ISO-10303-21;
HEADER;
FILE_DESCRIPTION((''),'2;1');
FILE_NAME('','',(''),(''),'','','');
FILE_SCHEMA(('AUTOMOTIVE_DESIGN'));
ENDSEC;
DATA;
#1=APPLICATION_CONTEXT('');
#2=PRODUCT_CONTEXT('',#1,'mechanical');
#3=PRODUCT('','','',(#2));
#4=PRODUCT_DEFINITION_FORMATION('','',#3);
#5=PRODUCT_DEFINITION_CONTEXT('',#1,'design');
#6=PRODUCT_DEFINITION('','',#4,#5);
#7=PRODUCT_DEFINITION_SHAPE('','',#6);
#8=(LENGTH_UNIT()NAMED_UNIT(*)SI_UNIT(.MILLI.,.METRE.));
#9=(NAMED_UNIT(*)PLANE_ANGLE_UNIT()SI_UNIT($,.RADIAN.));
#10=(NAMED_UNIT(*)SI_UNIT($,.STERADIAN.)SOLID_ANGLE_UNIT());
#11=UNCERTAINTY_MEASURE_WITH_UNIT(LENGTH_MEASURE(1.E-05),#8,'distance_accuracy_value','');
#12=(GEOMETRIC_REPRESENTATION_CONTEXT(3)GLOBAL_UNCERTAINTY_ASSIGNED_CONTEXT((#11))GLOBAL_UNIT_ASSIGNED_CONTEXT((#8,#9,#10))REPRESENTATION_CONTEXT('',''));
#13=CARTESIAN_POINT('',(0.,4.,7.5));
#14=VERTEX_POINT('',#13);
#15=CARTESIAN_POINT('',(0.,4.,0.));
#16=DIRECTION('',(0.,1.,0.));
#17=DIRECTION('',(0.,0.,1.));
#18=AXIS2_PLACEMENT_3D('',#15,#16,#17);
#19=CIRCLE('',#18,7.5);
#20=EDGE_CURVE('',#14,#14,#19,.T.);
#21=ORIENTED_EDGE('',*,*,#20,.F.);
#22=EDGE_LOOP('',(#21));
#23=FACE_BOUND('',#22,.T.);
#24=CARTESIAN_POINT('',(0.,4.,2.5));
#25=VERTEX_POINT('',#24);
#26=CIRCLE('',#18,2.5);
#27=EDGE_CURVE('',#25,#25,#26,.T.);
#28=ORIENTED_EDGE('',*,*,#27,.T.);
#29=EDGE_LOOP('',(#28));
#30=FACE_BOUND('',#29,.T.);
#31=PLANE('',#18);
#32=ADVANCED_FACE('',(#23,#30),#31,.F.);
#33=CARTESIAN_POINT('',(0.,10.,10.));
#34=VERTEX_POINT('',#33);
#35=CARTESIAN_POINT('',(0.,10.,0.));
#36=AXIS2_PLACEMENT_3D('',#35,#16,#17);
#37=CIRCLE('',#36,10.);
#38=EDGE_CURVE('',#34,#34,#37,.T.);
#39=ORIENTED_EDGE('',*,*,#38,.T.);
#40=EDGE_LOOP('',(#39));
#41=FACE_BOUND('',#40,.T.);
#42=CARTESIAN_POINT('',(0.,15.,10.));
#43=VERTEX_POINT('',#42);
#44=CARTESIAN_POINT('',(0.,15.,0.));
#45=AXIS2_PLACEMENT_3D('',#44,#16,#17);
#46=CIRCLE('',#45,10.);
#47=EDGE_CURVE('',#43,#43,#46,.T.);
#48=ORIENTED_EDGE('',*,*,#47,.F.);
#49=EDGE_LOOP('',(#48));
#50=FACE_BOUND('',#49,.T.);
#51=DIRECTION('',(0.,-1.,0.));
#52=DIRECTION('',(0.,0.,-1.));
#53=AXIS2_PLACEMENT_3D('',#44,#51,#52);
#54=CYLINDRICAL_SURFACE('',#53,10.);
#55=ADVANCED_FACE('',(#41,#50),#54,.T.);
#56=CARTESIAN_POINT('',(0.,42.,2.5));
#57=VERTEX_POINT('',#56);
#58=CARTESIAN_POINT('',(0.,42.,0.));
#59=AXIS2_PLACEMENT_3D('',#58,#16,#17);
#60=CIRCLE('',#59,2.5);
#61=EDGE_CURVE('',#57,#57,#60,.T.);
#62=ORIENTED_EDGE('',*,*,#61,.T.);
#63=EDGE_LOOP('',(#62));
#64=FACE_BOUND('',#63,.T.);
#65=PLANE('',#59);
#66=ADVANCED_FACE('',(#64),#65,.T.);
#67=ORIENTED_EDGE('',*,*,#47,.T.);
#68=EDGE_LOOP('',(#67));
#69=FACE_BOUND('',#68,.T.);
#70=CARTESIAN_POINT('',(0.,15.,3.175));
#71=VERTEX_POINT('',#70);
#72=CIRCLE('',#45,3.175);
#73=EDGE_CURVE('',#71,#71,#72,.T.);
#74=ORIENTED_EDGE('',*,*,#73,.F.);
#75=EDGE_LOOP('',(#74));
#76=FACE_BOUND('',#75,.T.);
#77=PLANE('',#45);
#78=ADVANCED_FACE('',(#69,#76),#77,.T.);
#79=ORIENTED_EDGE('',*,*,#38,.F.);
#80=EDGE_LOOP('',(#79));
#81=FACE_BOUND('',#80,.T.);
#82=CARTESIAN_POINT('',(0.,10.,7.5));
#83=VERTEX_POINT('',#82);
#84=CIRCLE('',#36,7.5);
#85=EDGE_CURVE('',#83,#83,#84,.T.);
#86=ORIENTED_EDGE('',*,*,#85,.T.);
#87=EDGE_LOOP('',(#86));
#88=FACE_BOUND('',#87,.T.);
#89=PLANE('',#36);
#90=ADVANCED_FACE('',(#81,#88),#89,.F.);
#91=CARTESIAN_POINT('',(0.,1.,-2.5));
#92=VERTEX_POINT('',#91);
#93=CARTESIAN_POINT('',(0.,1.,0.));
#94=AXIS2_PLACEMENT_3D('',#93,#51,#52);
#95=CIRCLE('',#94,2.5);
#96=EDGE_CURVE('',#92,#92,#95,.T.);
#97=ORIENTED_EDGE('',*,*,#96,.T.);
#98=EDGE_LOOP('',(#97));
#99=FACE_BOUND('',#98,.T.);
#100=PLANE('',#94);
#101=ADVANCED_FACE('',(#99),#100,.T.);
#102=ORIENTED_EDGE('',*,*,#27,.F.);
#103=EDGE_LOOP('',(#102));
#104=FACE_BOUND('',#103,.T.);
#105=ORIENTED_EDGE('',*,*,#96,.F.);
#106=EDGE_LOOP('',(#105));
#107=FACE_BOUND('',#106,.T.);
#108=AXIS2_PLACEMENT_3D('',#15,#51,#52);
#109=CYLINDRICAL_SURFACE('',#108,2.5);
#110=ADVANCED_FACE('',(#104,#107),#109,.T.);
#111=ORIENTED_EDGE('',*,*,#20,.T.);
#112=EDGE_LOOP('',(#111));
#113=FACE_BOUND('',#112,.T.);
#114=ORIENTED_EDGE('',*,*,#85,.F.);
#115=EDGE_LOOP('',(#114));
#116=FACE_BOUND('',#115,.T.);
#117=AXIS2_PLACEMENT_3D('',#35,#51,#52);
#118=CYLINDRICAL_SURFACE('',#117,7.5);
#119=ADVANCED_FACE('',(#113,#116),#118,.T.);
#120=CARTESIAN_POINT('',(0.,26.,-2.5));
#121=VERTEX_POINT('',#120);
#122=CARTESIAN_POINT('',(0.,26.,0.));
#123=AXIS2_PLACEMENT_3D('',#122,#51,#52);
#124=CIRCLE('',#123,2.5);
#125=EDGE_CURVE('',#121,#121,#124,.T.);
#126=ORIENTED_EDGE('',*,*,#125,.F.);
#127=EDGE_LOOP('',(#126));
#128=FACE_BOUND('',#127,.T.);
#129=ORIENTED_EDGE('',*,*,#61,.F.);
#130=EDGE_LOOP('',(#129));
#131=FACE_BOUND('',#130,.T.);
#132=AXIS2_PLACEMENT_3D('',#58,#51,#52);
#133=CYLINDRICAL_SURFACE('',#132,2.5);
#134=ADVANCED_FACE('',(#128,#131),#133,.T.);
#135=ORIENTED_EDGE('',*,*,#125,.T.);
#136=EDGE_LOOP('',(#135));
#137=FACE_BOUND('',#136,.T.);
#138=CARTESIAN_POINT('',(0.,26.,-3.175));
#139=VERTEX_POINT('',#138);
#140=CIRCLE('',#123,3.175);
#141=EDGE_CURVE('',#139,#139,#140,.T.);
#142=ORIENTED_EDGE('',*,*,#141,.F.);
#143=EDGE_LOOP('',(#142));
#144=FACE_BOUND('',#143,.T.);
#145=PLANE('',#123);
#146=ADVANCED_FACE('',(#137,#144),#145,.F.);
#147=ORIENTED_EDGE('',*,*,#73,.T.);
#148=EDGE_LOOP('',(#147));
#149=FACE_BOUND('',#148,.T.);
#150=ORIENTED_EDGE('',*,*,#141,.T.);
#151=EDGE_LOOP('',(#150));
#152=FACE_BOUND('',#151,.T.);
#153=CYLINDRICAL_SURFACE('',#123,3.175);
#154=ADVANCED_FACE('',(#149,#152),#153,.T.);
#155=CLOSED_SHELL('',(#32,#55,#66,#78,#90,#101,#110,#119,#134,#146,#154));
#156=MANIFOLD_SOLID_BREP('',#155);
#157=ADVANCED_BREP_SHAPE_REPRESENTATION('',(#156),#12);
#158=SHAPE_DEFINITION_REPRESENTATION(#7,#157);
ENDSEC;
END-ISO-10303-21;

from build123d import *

# Parameters (mm, degrees)
SKETCH_1_R               = 2.5
EXTRUDE_1_DEPTH          = 4
SKETCH_3_R               = 7.5
EXTRUDE_3_DEPTH          = 6
SKETCH_4_R               = 10
EXTRUDE_4_DEPTH          = 5
SKETCH_5_R               = 3.175
EXTRUDE_5_DEPTH          = 11
SKETCH_6_R               = 10
EXTRUDE_6_DEPTH          = 5
SKETCH_7_R               = 7.5
EXTRUDE_7_DEPTH          = 7
SKETCH_8_R               = 2.5
EXTRUDE_8_DEPTH          = 4
CUT_EXTRUDE_1_DEPTH      = 45.317039612
CUT_EXTRUDE_1_DEPTH_BACK = 1
SKETCH_10_R              = 2.5
SKETCH_13_R              = 10
SKETCH_13_R_2            = 2.5
CUT_EXTRUDE_3_DEPTH      = 15


with BuildPart() as part:
    # 草图1 → 凸台-拉伸1 (new body)
    with BuildSketch(Plane(origin=(0, 0, 0), x_dir=(1, 0, 0), z_dir=(0, 1, 0))):
        with Locations(Location((0, 0, 0), (0, 0, 270))):
            Circle(SKETCH_1_R)
    extrude(amount=EXTRUDE_1_DEPTH)

    # 草图3 → 凸台-拉伸3 (add)
    with BuildSketch(Plane(origin=(0, 4, 0), x_dir=(1, 0, 0), z_dir=(0, 1, 0))):
        with Locations(Location((0, 0, 0), (0, 0, 270))):
            Circle(SKETCH_3_R)
    extrude(amount=EXTRUDE_3_DEPTH)

    # 草图4 → 凸台-拉伸4 (add)
    with BuildSketch(Plane(origin=(0, 10, 0), x_dir=(1, 0, 0), z_dir=(0, 1, 0))):
        with Locations(Location((0, 0, 0), (0, 0, 270))):
            Circle(SKETCH_4_R)
    extrude(amount=EXTRUDE_4_DEPTH)

    # 草图5 → 凸台-拉伸5 (add)
    with BuildSketch(Plane(origin=(0, 15, 0), x_dir=(1, 0, 0), z_dir=(0, 1, 0))):
        with Locations(Location((0, 0, 0), (0, 0, 270))):
            Circle(SKETCH_5_R)
    extrude(amount=EXTRUDE_5_DEPTH)

    # 草图6 → 凸台-拉伸6 (add)
    with BuildSketch(Plane(origin=(0, 26, 0), x_dir=(1, 0, 0), z_dir=(0, 1, 0))):
        with Locations(Location((0, 0, 0), (0, 0, 270))):
            Circle(SKETCH_6_R)
    extrude(amount=EXTRUDE_6_DEPTH)

    # 草图7 → 凸台-拉伸7 (add)
    with BuildSketch(Plane(origin=(0, 31, 0), x_dir=(1, 0, 0), z_dir=(0, 1, 0))):
        with Locations(Location((0, 0, 0), (0, 0, 270))):
            Circle(SKETCH_7_R)
    extrude(amount=EXTRUDE_7_DEPTH)

    # 草图8 → 凸台-拉伸8 (add)
    with BuildSketch(Plane(origin=(0, 38, 0), x_dir=(1, 0, 0), z_dir=(0, 1, 0))):
        with Locations(Location((0, 0, 0), (0, 0, 270))):
            Circle(SKETCH_8_R)
    extrude(amount=EXTRUDE_8_DEPTH)

    # 草图10 → 切除-拉伸1 (cut, two sides: drawn at the far end of the back side and taken through both)
    with BuildSketch(Plane(origin=(0, 0, 0), x_dir=(-1, 0, 0), z_dir=(0, -1, 0)).offset(-CUT_EXTRUDE_1_DEPTH_BACK)):
        with Locations(Location((0, 0, 0), (0, 0, 90))):
            Circle(SKETCH_10_R)
    extrude(amount=CUT_EXTRUDE_1_DEPTH + CUT_EXTRUDE_1_DEPTH_BACK, mode=Mode.SUBTRACT)

    # 草图13 → 切除-拉伸3 (cut)
    with BuildSketch(Plane.XZ.offset(-26)):
        with Locations(Location((0, 0, 0), (0, 0, 90))):
            Circle(SKETCH_13_R)
        with Locations(Location((0, 0, 0), (0, 0, 270))):
            Circle(SKETCH_13_R_2, mode=Mode.SUBTRACT)
    extrude(amount=-CUT_EXTRUDE_3_DEPTH, mode=Mode.SUBTRACT)


solid = part.part
